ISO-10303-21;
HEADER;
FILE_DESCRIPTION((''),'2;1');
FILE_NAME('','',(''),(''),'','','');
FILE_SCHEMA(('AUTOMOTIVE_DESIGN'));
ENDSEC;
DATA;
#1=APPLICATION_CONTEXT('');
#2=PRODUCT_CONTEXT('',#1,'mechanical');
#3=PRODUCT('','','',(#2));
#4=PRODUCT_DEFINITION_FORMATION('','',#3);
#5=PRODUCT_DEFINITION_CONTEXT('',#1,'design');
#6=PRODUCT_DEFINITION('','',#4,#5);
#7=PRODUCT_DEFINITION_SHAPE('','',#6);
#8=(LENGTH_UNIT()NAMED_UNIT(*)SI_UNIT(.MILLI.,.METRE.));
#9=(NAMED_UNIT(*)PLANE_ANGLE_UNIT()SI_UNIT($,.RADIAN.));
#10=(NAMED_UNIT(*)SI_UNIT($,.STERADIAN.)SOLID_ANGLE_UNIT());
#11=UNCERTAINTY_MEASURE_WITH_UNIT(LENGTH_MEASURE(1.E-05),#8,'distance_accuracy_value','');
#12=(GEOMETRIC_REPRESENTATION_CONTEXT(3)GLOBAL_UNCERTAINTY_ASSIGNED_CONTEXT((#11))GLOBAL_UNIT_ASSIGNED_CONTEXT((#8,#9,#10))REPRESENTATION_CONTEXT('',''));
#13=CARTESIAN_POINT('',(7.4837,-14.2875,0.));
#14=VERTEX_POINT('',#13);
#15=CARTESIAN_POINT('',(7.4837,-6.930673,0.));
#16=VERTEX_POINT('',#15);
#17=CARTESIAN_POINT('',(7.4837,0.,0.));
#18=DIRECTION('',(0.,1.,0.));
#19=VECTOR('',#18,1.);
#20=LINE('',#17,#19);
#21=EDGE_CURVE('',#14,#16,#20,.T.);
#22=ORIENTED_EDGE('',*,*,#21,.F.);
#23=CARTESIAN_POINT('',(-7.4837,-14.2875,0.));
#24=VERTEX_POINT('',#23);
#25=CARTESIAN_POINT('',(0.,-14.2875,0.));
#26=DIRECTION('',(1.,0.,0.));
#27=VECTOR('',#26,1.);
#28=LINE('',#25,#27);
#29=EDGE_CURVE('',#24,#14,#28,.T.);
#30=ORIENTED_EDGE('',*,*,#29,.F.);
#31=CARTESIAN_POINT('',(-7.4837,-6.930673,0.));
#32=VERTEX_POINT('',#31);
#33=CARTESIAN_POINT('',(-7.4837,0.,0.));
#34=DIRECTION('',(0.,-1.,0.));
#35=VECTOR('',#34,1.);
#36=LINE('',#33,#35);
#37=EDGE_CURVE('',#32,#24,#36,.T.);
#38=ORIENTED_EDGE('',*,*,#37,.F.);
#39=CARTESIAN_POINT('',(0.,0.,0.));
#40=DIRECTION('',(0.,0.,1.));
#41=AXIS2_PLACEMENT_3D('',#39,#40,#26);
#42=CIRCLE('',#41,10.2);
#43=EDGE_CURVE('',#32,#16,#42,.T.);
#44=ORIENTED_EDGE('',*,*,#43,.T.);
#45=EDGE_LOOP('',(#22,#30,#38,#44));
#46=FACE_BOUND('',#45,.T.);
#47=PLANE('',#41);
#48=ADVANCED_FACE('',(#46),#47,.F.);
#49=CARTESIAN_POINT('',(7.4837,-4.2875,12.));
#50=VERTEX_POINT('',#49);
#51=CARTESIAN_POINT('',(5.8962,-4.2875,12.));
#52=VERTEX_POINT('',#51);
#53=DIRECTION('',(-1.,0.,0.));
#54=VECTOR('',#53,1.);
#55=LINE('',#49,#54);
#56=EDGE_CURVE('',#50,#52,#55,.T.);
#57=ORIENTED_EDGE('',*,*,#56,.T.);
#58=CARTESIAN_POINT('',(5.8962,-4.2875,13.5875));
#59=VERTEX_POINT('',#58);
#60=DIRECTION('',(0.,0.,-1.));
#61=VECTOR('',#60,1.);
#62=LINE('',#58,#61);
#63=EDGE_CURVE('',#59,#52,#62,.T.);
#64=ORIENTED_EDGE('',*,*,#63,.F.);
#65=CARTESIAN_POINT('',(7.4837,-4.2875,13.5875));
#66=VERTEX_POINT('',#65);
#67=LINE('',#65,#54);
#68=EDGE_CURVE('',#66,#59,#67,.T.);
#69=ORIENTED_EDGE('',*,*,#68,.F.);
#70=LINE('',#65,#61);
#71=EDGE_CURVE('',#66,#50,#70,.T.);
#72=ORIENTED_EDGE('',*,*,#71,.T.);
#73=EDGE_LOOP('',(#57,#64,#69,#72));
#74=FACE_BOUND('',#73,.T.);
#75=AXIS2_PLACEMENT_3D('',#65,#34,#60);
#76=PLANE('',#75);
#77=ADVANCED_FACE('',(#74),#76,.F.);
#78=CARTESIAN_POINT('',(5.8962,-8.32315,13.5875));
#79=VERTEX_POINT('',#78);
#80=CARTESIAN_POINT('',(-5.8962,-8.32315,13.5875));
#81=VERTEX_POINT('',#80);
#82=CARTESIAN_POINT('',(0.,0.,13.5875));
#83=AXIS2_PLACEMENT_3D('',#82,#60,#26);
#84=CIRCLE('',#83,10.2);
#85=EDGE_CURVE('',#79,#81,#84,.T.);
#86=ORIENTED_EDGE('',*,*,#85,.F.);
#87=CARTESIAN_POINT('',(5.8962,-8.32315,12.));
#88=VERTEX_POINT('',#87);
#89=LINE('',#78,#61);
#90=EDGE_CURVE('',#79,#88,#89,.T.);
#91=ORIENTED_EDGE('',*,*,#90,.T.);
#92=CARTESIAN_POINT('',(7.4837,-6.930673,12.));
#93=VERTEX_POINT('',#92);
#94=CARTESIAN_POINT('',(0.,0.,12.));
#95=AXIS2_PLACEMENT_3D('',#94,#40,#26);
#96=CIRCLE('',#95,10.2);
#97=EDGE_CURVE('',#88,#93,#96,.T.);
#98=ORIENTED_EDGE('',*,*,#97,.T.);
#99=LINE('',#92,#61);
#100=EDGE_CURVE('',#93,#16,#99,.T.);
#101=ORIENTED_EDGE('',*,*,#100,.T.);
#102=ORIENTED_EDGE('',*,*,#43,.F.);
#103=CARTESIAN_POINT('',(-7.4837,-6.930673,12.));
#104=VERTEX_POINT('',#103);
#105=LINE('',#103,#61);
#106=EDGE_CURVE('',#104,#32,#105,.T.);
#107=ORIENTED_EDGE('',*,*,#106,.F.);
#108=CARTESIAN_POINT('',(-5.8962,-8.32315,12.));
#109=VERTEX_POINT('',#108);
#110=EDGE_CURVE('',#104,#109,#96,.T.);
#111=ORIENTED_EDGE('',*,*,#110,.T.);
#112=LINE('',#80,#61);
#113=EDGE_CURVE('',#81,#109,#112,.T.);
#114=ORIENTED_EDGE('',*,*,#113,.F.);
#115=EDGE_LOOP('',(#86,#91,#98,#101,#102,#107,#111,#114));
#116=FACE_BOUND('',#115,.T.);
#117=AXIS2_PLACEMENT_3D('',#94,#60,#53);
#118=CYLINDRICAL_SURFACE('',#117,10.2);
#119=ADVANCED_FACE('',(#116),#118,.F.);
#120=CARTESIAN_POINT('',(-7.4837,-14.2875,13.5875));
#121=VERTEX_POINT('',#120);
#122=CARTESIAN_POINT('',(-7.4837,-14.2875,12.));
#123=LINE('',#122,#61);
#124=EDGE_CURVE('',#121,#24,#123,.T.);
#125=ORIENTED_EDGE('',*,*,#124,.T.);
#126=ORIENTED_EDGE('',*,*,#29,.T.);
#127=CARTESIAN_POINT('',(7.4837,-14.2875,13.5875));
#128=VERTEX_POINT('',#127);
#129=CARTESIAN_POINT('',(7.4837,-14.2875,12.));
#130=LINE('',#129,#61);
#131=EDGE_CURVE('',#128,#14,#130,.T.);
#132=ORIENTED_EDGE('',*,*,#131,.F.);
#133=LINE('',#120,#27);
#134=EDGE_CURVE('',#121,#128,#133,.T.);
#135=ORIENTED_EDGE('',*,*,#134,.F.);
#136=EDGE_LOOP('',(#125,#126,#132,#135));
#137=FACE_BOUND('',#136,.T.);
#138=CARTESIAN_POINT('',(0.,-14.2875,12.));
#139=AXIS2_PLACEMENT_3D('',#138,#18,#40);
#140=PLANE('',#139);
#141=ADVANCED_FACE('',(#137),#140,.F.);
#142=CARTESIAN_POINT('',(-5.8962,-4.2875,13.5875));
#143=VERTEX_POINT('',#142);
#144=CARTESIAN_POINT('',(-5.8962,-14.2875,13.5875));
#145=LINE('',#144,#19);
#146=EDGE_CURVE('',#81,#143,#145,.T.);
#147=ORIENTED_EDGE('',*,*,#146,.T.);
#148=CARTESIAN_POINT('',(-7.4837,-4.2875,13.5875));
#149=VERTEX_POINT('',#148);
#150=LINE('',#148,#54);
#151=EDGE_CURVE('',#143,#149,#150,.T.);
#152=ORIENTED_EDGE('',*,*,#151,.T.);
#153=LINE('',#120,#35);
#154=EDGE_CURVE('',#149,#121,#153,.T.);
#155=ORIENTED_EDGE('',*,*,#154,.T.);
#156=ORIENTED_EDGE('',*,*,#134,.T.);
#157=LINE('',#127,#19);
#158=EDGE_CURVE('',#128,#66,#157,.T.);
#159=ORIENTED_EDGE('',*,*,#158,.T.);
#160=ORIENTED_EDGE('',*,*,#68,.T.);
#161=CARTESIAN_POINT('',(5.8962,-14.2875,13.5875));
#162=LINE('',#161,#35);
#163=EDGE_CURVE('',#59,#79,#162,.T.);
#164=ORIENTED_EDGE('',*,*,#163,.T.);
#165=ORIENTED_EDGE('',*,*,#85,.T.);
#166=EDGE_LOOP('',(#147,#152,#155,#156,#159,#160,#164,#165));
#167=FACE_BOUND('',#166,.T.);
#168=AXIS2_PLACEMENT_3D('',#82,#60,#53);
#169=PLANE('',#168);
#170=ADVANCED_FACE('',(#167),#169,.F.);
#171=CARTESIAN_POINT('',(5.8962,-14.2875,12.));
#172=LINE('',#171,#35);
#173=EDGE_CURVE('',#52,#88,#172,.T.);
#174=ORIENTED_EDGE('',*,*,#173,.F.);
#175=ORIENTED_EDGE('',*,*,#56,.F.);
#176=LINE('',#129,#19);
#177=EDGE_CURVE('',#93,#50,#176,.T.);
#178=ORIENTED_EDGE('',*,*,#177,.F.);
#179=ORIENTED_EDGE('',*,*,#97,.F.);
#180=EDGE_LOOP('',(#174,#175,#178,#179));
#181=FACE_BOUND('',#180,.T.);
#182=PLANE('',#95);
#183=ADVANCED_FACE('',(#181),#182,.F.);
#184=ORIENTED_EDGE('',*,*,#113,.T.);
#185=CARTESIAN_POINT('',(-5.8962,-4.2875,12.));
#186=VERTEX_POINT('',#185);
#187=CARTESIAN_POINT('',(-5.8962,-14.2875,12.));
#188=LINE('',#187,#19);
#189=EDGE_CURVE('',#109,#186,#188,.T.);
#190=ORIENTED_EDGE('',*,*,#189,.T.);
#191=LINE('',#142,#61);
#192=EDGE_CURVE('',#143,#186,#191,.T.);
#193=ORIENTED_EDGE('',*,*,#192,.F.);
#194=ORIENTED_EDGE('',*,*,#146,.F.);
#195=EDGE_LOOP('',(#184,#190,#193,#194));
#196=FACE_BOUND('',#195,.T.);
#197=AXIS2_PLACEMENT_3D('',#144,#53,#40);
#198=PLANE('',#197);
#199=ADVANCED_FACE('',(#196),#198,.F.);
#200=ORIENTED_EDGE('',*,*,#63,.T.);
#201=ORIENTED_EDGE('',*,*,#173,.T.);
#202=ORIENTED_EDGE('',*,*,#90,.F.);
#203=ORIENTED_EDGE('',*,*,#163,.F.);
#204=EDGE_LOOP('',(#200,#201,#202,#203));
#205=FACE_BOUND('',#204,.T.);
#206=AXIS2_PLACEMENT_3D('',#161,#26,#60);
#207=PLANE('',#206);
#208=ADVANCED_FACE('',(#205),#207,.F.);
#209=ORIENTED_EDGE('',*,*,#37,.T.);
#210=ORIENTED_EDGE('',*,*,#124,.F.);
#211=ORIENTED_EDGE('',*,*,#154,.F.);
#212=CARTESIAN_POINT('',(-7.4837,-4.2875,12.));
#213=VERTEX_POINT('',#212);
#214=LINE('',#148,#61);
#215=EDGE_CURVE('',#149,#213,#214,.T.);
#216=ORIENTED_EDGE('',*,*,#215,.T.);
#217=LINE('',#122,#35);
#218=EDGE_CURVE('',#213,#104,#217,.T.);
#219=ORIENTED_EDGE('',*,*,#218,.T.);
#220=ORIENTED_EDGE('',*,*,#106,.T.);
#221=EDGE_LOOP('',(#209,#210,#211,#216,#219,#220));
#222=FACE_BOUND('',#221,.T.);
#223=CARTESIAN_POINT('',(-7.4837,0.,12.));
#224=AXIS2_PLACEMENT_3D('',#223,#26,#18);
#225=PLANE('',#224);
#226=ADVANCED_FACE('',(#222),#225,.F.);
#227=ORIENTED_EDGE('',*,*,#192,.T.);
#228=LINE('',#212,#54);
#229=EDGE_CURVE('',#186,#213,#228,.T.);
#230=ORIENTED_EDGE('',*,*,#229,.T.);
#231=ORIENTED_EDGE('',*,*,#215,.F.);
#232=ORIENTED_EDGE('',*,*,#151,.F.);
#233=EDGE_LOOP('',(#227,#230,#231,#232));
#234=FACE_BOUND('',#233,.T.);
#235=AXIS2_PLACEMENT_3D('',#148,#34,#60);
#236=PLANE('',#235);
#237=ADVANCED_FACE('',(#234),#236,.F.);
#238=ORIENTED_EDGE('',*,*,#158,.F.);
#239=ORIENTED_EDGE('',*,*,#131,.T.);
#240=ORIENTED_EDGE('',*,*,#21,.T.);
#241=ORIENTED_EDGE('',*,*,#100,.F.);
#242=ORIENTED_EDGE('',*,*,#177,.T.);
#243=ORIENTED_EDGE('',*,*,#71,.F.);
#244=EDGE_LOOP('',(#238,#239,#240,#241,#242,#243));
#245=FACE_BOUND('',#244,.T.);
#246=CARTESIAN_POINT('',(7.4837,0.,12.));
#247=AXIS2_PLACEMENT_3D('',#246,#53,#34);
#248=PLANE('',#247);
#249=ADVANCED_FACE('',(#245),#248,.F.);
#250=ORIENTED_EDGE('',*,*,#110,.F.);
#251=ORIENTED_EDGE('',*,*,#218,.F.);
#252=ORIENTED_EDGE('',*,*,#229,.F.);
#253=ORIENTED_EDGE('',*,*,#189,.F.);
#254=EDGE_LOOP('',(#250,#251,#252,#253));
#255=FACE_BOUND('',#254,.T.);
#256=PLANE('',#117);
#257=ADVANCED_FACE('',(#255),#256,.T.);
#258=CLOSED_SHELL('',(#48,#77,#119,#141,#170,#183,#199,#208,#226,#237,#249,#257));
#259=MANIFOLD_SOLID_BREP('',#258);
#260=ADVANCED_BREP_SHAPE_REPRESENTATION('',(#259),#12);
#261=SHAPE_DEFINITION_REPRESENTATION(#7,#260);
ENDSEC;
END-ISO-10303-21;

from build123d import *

# Parameters (mm, degrees)
BOSS_EXTRUDE1_DEPTH = 12
SKETCH3_W           = 1.5875
SKETCH3_H           = 10
BOSS_EXTRUDE2_DEPTH = 1.5875
BOSS_EXTRUDE3_DEPTH = 1.5875


with BuildPart() as part:
    # Sketch2 → Boss-Extrude1 (new body)
    with BuildSketch(Plane.XY):
        with BuildLine():
            ThreePointArc((-7.4837, -6.930673438), (0, -10.2), (7.4837, -6.930673438))
            Line((7.4837, -6.930673438), (7.4837, -14.2875))
            Line((7.4837, -14.2875), (-7.4837, -14.2875))
            Line((-7.4837, -14.2875), (-7.4837, -6.930673438))
        make_face()
    extrude(amount=BOSS_EXTRUDE1_DEPTH)

    # Sketch3 → Boss-Extrude2 (add)
    with BuildSketch(Plane.XY.offset(12)):
        with Locations((-6.68995, -9.2875)):
            Rectangle(SKETCH3_W, SKETCH3_H)
        with Locations((6.68995, -9.2875)):
            Rectangle(SKETCH3_W, SKETCH3_H)
    extrude(amount=BOSS_EXTRUDE2_DEPTH)

    # Sketch4 → Boss-Extrude3 (add)
    with BuildSketch(Plane.XY.offset(12)):
        with BuildLine():
            Line((-5.8962, -8.323149978), (-5.8962, -14.2875))
            Line((-5.8962, -14.2875), (5.8962, -14.2875))
            Line((5.8962, -14.2875), (5.8962, -8.323149978))
            ThreePointArc((5.8962, -8.323149978), (0, -10.2), (-5.8962, -8.323149978))
        make_face()
    extrude(amount=BOSS_EXTRUDE3_DEPTH)


solid = part.part
